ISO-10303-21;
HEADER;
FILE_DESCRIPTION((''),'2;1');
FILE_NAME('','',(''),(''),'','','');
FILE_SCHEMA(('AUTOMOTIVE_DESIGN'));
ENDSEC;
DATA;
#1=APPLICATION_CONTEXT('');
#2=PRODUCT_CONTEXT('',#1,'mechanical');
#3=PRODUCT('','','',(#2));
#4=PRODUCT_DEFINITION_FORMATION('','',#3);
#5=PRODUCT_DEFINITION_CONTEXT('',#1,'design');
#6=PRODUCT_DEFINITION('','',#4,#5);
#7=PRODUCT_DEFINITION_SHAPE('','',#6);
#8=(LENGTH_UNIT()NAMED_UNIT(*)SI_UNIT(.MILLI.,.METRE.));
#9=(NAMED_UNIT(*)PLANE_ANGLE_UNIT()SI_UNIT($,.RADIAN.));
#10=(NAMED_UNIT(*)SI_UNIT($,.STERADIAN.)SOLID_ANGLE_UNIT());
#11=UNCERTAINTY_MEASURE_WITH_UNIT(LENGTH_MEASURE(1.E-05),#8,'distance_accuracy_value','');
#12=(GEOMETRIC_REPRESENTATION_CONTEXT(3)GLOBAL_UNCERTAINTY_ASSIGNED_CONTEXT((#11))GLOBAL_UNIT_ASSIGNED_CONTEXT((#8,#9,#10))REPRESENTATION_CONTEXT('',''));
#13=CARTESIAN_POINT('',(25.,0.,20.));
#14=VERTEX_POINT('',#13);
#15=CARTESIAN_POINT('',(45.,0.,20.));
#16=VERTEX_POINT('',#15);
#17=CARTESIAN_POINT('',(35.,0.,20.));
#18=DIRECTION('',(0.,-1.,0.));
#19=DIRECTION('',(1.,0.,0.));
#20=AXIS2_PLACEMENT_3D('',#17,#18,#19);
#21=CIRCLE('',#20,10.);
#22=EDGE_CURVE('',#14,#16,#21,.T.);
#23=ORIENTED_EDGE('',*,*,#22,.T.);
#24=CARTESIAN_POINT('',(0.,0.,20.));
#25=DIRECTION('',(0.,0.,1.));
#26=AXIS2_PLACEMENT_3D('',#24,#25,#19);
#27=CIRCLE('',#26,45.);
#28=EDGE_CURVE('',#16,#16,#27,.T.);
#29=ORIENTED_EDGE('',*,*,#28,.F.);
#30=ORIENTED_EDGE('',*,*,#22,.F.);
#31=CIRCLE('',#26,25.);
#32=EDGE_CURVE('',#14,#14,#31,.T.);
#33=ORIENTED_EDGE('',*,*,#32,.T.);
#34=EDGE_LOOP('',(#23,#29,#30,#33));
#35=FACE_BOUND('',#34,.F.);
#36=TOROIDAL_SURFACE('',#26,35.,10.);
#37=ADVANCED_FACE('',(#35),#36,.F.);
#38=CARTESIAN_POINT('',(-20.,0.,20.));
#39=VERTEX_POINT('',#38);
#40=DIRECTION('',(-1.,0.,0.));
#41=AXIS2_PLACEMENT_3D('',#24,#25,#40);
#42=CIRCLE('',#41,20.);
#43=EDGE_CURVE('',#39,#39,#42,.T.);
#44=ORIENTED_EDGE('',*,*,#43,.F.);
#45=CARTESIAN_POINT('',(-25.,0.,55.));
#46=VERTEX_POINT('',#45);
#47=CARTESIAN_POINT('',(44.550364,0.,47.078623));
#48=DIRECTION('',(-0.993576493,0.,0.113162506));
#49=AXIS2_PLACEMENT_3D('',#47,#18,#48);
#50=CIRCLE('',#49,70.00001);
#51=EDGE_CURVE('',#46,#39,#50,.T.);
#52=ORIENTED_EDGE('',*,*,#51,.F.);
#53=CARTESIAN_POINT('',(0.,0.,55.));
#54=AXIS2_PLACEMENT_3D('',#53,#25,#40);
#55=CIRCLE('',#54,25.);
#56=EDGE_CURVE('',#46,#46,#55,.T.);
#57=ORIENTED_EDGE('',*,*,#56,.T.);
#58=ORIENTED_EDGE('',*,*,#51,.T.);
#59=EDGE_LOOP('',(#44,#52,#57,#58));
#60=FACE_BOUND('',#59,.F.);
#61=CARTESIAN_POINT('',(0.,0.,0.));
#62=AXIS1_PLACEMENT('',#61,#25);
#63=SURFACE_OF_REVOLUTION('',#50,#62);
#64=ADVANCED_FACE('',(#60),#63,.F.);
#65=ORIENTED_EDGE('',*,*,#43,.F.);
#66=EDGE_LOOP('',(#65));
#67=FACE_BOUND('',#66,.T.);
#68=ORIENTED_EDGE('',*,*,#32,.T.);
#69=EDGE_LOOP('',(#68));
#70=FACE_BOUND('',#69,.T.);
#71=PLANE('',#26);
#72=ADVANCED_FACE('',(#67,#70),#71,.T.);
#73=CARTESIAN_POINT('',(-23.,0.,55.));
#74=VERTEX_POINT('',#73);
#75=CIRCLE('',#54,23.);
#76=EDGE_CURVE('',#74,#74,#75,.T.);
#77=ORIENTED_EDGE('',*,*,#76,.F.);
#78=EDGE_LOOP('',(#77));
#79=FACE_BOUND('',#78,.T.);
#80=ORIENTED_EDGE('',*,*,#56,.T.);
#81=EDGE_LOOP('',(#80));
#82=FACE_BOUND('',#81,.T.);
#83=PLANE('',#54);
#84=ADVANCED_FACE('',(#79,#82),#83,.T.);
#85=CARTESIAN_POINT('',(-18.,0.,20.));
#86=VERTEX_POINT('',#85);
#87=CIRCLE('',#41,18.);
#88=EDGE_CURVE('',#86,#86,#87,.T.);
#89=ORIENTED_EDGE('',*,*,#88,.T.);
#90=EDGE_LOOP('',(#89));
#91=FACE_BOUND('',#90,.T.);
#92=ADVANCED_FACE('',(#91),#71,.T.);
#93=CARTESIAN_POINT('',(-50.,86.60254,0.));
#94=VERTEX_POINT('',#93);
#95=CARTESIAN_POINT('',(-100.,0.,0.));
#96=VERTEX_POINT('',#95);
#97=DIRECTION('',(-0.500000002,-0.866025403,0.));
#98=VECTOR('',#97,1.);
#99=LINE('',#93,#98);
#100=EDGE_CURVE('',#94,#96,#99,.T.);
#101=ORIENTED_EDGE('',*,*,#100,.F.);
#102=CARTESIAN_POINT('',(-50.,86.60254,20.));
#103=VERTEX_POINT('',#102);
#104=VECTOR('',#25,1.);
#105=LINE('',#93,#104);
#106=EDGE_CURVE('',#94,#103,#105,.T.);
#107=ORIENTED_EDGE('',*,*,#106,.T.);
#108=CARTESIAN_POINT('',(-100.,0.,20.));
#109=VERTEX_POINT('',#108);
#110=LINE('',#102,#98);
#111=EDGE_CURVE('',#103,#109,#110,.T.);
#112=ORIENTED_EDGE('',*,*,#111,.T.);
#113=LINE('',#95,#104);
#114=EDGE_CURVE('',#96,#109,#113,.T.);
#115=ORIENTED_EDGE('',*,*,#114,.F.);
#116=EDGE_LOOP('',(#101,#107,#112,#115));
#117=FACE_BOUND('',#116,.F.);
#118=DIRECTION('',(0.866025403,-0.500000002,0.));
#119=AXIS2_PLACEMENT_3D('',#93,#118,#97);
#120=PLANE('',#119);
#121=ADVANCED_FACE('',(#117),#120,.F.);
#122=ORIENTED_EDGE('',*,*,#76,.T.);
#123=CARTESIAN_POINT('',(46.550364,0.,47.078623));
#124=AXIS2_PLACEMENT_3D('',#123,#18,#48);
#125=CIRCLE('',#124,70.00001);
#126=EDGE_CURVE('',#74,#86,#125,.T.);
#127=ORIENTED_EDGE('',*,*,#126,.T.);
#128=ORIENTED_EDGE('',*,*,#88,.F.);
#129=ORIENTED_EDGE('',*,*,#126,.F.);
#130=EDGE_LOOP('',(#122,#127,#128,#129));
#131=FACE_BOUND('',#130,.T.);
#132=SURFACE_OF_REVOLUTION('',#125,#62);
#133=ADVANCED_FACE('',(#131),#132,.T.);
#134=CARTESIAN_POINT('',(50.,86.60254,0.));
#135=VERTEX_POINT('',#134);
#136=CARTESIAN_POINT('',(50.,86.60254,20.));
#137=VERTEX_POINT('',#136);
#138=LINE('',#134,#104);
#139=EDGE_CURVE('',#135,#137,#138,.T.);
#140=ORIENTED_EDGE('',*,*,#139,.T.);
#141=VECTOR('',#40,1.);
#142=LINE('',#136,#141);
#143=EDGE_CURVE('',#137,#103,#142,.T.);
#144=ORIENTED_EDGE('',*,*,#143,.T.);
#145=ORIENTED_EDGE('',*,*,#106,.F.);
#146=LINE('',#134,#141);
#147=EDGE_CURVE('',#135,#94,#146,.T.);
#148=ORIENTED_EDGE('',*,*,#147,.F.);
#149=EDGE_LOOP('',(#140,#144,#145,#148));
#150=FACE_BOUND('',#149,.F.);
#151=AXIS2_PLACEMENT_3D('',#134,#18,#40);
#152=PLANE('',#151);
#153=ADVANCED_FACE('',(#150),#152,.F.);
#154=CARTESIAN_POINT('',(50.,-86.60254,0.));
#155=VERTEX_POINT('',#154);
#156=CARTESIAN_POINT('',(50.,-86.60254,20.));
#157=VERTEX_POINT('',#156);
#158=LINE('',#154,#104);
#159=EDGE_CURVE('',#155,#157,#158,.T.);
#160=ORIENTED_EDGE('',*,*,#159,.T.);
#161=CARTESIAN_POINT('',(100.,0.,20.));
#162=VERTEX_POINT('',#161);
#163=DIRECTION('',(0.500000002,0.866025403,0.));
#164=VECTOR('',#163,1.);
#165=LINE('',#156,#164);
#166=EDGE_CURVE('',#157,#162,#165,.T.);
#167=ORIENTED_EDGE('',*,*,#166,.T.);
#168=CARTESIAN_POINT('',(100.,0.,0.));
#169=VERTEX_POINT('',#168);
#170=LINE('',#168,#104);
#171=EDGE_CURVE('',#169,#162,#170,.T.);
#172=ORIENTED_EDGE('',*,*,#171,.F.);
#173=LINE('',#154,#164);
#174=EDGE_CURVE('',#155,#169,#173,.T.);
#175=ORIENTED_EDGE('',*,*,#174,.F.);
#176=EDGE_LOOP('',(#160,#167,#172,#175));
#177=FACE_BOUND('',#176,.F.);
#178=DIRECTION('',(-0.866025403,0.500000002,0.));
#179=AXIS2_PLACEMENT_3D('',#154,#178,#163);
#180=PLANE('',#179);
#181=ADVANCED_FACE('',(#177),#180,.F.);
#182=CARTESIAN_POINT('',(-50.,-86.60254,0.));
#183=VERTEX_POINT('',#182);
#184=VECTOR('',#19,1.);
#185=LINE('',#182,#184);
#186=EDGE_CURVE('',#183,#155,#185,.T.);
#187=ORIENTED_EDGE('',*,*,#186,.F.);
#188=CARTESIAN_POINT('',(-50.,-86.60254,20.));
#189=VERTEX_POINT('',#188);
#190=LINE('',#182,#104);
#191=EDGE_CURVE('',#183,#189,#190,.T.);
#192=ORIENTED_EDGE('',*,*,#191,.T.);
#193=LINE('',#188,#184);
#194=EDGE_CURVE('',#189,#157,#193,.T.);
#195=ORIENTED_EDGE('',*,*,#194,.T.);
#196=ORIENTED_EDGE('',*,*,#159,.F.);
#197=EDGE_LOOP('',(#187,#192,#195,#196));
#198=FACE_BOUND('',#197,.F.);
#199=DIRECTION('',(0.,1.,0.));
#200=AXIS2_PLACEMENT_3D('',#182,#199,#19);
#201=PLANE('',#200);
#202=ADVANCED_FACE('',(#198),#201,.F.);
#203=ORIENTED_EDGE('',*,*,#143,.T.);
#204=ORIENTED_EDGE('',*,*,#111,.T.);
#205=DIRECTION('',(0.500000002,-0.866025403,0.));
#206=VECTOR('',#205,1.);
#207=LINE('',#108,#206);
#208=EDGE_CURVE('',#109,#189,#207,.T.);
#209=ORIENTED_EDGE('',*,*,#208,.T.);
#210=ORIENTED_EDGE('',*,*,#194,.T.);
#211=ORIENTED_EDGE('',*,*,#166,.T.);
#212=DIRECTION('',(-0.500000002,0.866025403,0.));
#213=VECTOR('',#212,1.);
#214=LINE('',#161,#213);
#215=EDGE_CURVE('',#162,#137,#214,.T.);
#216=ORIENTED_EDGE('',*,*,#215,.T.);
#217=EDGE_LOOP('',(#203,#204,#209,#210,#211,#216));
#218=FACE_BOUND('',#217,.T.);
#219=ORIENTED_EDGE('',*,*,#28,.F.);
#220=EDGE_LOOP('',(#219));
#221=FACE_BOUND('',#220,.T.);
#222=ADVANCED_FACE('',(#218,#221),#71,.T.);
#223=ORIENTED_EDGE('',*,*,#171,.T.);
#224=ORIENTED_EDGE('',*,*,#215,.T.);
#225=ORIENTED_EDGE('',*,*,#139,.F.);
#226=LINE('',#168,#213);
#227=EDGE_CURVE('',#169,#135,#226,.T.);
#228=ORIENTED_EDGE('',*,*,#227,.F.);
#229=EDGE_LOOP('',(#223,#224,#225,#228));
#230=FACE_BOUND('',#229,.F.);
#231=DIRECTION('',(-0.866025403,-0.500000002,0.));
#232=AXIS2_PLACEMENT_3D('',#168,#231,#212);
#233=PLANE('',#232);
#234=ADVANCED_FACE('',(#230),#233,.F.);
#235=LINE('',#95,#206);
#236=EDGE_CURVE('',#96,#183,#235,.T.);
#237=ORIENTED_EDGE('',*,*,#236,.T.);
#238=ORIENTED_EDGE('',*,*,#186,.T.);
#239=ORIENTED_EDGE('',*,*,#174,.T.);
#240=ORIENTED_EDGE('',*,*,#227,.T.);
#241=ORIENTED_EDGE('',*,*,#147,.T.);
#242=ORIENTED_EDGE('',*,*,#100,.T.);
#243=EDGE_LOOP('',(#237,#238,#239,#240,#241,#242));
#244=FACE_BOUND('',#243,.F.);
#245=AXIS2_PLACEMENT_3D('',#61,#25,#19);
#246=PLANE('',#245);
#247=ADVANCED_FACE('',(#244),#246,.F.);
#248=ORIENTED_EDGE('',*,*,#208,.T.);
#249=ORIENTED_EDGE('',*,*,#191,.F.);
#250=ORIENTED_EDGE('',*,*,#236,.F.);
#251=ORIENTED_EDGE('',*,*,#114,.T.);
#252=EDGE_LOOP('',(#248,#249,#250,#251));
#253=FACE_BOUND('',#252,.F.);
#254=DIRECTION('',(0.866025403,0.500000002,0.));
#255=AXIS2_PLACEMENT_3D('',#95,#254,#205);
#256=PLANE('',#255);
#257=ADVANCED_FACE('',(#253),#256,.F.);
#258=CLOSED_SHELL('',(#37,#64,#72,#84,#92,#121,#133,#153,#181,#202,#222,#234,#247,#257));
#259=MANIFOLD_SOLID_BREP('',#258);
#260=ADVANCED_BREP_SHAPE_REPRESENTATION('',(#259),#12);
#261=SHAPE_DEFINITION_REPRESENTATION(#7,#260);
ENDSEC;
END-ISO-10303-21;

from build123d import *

# Parameters (mm, degrees)
PAD_DEPTH   = 20
SKETCH002_R = 10


with BuildPart() as part:
    # Sketch → Pad (new body)
    with BuildSketch(Plane.XY):
        Polygon((100, 0), (50, 86.60254), (-50, 86.60254), (-100, 0), (-50, -86.60254), (50, -86.60254), align=None)
    extrude(amount=PAD_DEPTH)

    # Sketch001 → Revolution (revolve)
    with BuildSketch(Plane.XZ):
        with BuildLine():
            ThreePointArc((-25, 55), (-24.74611, 37.179127), (-20, 20))
            Line((-20, 20), (-18, 20))
            ThreePointArc((-23, 55), (-22.74611, 37.179127), (-18, 20))
            Line((-25, 55), (-23, 55))
        make_face()
    revolve(axis=Axis((0, 0, 0), (0, 0, 1)))

    # Sketch002 → Groove (revolve, cut)
    with BuildSketch(Plane.XZ):
        with Locations((35, 20)):
            Circle(SKETCH002_R)
    revolve(axis=Axis((0, 0, 0), (0, 0, 1)), mode=Mode.SUBTRACT)


solid = part.part
